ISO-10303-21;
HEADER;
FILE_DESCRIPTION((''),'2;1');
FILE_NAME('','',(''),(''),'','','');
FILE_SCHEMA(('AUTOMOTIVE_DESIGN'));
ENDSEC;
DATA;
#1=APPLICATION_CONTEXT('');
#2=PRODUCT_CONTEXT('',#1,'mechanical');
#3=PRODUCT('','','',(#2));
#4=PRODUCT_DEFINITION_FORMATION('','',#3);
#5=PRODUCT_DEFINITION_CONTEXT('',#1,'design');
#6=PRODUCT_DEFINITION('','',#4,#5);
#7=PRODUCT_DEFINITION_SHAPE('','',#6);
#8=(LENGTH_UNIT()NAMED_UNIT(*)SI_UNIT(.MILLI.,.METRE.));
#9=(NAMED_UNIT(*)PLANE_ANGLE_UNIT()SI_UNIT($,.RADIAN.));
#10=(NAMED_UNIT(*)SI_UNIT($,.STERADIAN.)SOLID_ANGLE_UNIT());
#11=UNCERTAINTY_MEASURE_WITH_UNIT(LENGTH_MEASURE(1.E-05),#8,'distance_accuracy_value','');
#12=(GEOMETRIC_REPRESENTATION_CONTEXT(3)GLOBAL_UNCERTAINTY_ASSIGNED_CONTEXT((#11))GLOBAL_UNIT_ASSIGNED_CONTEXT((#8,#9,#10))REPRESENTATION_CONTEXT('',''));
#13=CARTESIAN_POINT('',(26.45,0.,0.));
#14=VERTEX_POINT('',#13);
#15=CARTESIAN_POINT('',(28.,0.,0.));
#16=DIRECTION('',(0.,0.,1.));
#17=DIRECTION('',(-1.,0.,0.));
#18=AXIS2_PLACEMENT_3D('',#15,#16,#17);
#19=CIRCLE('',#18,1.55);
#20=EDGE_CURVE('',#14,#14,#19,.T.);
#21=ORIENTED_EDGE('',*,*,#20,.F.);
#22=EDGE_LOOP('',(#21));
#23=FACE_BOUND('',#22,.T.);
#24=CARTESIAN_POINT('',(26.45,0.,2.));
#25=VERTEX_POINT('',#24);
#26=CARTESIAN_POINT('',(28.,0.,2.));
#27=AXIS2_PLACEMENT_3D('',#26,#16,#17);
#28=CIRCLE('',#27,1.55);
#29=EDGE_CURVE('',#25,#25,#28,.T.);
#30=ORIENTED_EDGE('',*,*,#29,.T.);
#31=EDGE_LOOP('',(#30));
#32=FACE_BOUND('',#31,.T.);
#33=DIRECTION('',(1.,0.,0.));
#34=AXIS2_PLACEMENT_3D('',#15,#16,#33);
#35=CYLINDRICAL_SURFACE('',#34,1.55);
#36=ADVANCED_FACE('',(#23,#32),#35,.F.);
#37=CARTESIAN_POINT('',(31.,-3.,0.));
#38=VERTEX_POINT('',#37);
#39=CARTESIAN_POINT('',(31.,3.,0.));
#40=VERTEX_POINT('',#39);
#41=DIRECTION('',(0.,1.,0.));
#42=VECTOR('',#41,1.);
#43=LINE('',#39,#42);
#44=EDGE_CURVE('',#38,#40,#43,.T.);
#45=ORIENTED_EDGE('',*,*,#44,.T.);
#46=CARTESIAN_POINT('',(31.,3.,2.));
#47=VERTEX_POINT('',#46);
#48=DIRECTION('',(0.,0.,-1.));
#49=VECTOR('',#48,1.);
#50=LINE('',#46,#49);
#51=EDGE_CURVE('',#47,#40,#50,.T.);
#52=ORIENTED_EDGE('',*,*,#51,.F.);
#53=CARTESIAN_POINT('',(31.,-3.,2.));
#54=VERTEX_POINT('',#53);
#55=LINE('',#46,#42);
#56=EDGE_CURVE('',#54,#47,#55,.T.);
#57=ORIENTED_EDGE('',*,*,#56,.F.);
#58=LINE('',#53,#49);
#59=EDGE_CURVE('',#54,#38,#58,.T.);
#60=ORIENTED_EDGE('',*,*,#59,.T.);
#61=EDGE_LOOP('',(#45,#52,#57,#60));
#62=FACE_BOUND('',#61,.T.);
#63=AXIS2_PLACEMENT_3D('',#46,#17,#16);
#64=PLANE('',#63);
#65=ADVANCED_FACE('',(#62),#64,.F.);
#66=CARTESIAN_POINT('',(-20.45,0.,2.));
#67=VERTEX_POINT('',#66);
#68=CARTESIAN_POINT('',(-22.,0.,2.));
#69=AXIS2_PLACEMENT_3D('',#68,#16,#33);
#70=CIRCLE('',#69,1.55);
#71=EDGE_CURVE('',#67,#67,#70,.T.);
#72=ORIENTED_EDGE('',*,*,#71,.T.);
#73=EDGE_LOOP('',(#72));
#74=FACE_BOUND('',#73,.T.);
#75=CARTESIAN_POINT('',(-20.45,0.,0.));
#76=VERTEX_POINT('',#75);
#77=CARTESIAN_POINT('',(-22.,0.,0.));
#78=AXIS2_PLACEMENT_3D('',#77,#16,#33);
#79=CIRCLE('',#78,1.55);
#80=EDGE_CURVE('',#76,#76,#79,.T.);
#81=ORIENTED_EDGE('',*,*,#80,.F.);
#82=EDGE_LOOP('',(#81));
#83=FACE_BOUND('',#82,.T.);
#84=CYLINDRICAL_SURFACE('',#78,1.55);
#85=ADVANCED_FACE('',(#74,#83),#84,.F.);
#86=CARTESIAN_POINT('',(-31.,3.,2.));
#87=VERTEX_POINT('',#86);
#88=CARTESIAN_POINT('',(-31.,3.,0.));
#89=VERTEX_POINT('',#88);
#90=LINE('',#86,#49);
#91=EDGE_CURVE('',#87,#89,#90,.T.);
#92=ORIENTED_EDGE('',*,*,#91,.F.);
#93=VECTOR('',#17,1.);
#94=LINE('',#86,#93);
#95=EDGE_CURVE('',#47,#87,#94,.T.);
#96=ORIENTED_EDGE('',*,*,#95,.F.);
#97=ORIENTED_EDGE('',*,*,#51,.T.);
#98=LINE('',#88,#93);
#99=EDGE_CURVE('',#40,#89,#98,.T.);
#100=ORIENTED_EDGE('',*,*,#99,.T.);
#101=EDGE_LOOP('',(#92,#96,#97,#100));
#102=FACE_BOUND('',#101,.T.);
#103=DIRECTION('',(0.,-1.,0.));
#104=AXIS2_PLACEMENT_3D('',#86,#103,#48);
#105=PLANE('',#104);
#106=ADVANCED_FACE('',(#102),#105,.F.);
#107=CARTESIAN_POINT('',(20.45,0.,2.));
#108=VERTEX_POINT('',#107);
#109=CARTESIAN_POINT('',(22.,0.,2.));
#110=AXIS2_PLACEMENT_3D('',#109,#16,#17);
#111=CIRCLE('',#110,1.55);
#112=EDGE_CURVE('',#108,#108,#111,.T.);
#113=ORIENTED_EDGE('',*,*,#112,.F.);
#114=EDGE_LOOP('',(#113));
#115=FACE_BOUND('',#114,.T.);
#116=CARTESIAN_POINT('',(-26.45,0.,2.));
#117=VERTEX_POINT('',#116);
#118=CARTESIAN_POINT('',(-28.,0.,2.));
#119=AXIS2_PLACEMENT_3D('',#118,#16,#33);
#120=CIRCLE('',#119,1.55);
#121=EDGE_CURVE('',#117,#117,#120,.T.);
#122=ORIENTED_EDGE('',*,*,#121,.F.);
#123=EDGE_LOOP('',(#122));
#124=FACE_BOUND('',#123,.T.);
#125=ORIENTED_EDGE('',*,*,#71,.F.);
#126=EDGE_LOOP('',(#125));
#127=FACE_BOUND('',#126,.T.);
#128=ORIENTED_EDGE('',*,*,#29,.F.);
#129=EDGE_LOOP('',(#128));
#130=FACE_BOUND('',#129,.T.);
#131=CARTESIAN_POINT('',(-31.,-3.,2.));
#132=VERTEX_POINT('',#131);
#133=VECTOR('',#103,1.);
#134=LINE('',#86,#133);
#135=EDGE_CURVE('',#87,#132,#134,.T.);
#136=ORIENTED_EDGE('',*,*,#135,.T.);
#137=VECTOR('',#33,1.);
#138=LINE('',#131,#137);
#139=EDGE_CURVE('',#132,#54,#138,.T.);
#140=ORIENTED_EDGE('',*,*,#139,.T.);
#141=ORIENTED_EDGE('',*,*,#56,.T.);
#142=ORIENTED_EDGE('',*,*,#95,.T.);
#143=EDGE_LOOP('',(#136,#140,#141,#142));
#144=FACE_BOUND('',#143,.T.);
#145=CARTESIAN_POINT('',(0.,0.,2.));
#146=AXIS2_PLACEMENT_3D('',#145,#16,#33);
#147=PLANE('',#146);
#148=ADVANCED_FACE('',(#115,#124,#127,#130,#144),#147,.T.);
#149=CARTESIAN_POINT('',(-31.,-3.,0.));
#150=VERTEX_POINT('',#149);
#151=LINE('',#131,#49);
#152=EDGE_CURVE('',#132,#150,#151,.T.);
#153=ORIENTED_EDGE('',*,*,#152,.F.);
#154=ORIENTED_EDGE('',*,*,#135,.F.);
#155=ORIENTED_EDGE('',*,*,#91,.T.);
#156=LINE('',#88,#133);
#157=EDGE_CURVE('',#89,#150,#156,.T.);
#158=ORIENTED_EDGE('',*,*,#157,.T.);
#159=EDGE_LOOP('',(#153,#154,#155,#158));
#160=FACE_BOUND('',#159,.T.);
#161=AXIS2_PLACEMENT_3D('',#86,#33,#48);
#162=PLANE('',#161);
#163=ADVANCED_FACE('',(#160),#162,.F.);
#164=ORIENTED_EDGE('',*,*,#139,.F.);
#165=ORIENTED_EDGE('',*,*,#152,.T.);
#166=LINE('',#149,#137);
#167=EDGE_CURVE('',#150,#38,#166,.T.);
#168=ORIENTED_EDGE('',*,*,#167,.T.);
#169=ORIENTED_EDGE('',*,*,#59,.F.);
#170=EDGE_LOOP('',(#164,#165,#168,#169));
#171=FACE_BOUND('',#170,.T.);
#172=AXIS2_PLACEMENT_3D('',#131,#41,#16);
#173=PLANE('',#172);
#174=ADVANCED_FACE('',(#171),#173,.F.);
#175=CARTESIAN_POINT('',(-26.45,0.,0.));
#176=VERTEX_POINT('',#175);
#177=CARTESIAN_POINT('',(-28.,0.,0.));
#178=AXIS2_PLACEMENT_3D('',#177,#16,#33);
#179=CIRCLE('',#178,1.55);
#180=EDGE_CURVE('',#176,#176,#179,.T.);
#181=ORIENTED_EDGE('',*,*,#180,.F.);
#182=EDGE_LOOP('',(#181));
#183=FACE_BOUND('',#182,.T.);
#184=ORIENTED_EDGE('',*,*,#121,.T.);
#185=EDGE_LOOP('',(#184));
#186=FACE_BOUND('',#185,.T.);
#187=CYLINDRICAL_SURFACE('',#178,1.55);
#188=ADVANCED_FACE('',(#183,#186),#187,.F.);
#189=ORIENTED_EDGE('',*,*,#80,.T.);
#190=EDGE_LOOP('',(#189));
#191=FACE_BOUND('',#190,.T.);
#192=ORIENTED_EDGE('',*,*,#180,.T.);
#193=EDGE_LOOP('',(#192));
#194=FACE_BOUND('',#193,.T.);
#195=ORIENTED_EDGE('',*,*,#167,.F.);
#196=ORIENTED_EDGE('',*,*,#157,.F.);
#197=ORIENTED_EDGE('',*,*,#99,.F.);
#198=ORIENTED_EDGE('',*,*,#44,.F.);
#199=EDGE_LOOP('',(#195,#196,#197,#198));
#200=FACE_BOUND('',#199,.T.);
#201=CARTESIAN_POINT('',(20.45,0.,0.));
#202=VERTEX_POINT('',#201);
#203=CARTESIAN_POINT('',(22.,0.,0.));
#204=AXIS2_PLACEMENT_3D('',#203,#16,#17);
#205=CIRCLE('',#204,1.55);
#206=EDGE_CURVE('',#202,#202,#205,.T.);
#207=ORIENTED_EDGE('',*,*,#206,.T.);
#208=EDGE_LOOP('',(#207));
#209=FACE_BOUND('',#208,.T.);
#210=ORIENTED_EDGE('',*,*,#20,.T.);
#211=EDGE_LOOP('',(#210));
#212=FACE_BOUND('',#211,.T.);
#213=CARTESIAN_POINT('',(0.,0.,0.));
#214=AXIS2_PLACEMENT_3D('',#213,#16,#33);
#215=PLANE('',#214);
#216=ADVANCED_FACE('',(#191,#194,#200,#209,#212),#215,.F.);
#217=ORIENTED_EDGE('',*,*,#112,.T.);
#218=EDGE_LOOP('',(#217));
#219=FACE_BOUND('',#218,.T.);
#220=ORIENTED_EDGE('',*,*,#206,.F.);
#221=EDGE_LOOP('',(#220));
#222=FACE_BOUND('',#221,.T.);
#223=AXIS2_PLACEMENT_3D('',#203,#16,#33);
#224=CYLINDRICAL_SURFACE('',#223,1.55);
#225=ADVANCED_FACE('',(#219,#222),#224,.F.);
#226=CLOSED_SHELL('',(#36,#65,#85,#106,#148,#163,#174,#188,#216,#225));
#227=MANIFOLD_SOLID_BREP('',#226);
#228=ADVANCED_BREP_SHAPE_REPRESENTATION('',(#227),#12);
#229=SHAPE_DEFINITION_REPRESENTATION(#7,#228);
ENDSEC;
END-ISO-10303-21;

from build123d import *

# Parameters (mm, degrees)
SKETCH_1_W          = 62
SKETCH_1_H          = 6
EXTRUDE_1_DEPTH     = 2
SKETCH_2_R          = 1.55
CUT_EXTRUDE_1_DEPTH = 2


with BuildPart() as part:
    # 草图1 → 凸台-拉伸1 (new body)
    with BuildSketch(Plane.XY):
        Rectangle(SKETCH_1_W, SKETCH_1_H)
    extrude(amount=EXTRUDE_1_DEPTH)

    # 草图2 → 切除-拉伸1 (cut)
    with BuildSketch(Plane.XY.offset(2)):
        with Locations((-28, 0)):
            Circle(SKETCH_2_R)
        with Locations((-22, 0)):
            Circle(SKETCH_2_R)
        with Locations((22, 0)):
            Circle(SKETCH_2_R)
        with Locations((28, 0)):
            Circle(SKETCH_2_R)
    extrude(amount=-CUT_EXTRUDE_1_DEPTH, mode=Mode.SUBTRACT)


solid = part.part
